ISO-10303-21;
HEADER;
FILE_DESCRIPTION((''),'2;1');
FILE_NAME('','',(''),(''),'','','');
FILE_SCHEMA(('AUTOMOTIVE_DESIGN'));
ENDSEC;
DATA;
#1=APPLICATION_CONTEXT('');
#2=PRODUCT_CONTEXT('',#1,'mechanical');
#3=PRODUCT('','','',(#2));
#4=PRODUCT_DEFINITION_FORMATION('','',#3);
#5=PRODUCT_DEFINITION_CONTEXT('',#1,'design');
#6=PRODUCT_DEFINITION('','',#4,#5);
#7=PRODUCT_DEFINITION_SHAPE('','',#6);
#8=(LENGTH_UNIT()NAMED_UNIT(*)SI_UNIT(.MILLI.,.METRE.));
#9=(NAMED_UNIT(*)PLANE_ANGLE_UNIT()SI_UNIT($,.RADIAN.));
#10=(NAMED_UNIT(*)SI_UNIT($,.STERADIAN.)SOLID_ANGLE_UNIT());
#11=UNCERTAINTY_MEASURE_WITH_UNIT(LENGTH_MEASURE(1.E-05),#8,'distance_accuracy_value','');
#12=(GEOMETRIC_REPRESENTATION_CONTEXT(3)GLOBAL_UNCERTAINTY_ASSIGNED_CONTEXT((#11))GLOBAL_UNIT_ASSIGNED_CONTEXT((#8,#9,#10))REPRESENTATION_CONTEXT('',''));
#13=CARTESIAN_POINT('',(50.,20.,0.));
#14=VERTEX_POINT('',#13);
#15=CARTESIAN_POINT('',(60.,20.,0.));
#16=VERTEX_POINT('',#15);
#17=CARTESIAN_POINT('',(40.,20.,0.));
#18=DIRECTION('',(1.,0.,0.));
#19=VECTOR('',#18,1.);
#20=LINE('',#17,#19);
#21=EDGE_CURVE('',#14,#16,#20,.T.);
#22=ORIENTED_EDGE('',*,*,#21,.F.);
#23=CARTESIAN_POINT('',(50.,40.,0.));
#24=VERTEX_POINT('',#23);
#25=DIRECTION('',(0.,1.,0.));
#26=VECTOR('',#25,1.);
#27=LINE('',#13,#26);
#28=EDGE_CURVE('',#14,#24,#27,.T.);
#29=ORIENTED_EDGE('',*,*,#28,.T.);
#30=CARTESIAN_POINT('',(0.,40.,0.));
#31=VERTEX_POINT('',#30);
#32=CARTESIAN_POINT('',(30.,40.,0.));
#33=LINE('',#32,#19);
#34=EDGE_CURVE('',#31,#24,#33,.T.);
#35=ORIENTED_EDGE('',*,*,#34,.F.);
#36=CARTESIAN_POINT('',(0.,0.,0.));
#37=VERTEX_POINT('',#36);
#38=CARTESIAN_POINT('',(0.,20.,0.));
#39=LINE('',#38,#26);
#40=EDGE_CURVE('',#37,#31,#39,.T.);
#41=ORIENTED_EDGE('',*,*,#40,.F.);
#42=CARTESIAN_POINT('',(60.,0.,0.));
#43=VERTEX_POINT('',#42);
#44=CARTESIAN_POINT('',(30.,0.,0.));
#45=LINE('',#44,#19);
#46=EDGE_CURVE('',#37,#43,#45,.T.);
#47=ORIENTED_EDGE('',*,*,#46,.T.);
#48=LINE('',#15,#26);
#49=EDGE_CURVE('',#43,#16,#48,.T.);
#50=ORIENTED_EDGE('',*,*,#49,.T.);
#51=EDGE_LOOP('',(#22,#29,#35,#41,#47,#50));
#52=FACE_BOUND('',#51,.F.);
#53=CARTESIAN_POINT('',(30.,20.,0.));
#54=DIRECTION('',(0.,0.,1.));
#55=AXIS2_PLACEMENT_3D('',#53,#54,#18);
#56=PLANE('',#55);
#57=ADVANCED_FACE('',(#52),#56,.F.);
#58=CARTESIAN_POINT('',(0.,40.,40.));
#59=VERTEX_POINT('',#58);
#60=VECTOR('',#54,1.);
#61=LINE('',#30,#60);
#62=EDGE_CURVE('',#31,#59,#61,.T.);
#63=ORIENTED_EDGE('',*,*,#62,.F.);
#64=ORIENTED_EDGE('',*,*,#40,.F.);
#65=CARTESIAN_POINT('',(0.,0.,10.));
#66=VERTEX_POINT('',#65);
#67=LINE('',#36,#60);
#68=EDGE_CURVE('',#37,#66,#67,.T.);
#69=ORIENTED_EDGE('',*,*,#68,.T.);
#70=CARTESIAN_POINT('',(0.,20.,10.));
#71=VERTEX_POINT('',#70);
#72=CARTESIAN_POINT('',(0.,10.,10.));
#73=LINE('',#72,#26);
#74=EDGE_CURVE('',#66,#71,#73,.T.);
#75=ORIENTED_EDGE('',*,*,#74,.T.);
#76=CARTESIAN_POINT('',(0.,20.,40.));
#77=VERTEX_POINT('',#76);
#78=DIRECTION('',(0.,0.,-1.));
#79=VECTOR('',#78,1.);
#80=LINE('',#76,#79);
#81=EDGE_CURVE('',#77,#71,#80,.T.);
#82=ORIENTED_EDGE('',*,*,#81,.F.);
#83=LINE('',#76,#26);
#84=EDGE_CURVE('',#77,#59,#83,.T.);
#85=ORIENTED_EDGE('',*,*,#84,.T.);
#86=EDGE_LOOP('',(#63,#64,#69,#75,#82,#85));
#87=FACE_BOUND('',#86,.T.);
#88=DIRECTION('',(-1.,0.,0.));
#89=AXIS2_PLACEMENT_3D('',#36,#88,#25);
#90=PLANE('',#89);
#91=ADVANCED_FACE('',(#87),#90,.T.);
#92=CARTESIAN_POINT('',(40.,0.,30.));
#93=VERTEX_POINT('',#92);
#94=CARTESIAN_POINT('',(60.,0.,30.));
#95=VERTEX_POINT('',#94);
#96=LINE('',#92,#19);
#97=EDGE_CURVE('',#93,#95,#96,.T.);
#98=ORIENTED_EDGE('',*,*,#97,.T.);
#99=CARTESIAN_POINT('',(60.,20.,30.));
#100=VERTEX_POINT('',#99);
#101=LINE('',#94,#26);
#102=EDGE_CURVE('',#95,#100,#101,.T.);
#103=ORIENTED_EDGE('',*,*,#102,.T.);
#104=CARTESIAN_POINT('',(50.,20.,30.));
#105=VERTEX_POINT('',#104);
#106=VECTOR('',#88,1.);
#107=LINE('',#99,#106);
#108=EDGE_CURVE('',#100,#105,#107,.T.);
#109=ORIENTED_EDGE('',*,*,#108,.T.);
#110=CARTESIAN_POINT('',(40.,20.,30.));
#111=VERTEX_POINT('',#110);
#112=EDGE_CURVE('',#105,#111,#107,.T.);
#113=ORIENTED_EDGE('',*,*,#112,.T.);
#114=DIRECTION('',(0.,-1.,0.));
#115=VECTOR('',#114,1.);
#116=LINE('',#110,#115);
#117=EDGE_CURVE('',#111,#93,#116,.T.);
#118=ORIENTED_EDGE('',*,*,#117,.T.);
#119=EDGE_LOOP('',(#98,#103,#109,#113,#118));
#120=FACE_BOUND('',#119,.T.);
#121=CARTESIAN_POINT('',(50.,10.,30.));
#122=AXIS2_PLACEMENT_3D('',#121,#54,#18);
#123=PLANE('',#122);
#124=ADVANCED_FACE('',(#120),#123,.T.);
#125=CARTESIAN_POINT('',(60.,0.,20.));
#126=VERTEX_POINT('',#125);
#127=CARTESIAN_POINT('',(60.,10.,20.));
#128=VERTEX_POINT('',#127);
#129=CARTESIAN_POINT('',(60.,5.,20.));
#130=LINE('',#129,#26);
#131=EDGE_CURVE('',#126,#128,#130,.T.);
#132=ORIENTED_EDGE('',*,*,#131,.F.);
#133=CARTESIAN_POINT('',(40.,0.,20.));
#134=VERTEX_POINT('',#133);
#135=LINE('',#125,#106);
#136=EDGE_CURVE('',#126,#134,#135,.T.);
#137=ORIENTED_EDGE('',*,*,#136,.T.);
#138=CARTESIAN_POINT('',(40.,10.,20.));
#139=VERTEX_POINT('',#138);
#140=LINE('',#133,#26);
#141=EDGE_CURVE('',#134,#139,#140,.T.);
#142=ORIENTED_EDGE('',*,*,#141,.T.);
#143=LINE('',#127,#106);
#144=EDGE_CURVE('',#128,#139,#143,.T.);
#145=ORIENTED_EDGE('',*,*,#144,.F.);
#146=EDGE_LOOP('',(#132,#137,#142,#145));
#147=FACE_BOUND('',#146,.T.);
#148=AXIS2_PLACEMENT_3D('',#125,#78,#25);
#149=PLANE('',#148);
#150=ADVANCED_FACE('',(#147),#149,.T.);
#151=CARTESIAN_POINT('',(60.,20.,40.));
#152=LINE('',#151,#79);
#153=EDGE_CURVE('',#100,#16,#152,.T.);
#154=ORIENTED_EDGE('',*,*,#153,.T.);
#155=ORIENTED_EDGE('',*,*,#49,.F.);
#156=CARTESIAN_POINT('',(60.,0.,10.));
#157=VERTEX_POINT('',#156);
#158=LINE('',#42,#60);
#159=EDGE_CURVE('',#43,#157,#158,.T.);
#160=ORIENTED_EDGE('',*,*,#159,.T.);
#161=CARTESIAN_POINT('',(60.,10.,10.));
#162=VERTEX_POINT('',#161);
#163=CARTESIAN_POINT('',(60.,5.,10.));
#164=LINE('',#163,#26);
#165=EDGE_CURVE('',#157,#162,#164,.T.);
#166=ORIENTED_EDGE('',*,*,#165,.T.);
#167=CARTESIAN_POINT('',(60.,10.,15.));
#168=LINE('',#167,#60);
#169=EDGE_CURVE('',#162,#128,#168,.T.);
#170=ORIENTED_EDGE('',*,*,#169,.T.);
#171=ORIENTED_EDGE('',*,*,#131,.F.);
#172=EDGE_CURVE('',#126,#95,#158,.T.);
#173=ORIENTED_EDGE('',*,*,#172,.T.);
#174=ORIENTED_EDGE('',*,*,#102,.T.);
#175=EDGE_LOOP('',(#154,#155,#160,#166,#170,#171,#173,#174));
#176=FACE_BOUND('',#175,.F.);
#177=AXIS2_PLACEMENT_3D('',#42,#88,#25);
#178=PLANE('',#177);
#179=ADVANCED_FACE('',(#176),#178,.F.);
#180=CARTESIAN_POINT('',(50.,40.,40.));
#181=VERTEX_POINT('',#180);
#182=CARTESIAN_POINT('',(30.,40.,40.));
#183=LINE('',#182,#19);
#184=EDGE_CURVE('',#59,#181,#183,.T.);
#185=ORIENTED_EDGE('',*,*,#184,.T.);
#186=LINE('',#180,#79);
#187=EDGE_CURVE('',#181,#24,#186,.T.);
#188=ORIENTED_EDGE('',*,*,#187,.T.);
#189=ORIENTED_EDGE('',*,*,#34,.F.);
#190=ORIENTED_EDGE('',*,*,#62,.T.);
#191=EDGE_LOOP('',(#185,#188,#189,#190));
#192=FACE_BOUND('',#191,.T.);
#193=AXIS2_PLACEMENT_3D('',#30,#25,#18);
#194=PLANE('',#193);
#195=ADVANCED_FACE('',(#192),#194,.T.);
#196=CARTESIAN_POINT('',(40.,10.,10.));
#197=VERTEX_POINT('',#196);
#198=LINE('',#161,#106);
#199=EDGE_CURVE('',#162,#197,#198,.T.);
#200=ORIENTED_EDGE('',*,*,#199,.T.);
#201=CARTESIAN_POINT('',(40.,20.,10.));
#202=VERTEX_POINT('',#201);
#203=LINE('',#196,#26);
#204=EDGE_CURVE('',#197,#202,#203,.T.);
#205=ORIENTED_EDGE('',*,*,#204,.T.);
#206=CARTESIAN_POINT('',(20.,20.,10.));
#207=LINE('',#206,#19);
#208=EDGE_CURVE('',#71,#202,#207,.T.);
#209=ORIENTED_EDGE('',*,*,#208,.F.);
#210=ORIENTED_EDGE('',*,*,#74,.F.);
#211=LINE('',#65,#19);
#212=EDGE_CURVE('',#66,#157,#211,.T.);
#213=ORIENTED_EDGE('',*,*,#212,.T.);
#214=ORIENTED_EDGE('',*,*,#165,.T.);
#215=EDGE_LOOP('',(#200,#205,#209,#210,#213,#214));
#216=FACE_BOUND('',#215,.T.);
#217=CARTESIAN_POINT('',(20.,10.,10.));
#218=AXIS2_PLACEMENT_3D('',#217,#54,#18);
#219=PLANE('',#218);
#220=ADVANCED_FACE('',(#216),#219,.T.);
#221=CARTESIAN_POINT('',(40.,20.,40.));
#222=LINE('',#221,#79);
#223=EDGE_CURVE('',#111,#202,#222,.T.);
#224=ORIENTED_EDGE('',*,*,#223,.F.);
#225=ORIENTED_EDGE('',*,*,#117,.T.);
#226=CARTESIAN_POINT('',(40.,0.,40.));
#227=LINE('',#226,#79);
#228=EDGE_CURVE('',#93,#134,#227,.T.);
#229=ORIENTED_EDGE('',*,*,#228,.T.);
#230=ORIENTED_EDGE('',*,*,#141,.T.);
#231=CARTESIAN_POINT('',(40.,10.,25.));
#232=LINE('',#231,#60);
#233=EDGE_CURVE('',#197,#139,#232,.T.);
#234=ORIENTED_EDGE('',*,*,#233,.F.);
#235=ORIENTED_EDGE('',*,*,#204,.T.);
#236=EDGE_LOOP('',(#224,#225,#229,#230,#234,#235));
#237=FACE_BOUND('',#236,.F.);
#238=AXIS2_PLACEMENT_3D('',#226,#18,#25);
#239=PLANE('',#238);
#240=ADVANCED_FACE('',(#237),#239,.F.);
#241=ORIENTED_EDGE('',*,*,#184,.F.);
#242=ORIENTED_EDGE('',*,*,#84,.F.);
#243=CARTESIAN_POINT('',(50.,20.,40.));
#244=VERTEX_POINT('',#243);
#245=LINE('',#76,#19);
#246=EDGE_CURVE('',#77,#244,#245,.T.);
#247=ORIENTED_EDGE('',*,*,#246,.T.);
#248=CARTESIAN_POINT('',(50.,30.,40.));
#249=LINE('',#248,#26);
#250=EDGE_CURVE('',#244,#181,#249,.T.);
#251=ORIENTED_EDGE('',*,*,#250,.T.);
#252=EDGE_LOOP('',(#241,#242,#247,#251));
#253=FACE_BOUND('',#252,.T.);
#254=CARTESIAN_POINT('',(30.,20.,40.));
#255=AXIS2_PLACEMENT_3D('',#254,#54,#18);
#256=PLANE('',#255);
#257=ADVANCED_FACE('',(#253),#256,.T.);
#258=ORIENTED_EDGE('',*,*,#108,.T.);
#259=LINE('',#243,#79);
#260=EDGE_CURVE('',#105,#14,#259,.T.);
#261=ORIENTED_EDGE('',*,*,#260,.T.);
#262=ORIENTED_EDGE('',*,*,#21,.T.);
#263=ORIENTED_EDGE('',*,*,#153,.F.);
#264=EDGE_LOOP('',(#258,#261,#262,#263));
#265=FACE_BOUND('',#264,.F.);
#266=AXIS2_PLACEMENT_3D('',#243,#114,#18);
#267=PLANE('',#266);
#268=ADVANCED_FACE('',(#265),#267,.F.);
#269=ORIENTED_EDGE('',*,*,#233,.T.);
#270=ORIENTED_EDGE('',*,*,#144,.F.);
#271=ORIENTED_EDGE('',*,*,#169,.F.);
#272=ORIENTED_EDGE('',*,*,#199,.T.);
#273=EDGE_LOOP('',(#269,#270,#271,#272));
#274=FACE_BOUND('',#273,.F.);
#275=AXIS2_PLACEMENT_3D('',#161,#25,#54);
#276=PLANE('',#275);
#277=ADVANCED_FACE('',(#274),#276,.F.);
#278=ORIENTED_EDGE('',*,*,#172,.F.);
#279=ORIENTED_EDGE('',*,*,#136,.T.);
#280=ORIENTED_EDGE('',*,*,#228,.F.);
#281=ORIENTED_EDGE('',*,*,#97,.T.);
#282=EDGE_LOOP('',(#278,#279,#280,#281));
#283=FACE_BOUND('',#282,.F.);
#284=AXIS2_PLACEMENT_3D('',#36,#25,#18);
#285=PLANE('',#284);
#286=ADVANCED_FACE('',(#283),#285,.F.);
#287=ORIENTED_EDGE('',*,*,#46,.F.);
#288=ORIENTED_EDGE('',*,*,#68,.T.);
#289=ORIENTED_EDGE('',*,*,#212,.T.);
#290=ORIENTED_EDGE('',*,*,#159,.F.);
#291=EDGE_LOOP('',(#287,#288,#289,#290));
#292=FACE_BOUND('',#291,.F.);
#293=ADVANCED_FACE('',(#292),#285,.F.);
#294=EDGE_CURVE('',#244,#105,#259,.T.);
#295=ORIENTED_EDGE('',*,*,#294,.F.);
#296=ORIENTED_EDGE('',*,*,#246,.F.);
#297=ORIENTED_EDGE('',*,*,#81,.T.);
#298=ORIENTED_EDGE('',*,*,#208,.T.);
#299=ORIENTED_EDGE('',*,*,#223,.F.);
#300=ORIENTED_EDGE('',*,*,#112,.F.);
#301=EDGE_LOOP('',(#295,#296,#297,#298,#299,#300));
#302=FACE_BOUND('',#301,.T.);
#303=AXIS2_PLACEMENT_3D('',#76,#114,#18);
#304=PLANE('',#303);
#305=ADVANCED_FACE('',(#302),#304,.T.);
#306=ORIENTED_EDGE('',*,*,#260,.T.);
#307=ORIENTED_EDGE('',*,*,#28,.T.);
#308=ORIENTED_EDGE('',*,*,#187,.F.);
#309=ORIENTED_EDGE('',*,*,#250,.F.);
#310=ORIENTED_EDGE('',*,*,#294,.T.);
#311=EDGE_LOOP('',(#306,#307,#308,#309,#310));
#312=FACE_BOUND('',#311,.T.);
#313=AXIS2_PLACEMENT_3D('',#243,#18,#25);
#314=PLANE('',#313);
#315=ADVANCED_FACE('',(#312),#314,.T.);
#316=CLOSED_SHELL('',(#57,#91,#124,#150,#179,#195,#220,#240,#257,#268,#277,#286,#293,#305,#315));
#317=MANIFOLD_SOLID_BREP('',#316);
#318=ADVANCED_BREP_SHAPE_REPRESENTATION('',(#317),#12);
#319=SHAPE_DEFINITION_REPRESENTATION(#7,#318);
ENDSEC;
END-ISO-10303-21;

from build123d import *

# Parameters (mm, degrees)
F0_W     = 60
F0_H     = 40
F1_DEPTH = 40
F2_W     = 10
F2_H     = 20
F3_DEPTH = 45
F4_W     = 40
F4_H     = 20
F5_DEPTH = 30
F7_DEPTH = 10
F8_W     = 10
F8_H     = 10
F9_DEPTH = 25


with BuildPart() as f1:
    # F0 (on Top) → F1 (new body)
    with BuildSketch(Plane.XY):
        with Locations((30, 20)):
            Rectangle(F0_W, F0_H)
    extrude(amount=F1_DEPTH)

    # F2 (on face) → F3 (cut)
    with BuildSketch(Plane.XY.offset(40)):
        with Locations((55, 30)):
            Rectangle(F2_W, F2_H)
    extrude(amount=-F3_DEPTH, mode=Mode.SUBTRACT)

    # F4 (on face) → F5 (cut)
    with BuildSketch(Plane.XY.offset(40)):
        with Locations((20, 10)):
            Rectangle(F4_W, F4_H)
    extrude(amount=-F5_DEPTH, mode=Mode.SUBTRACT)

    # F6 (on face) → F7 (cut)
    with BuildSketch(Plane.XY.offset(40)):
        Polygon((50, 20), (40, 20), (40, 0), (60, 0), (60, 20), align=None)
    extrude(amount=-F7_DEPTH, mode=Mode.SUBTRACT)

    # F8 (on face) → F9 (cut)
    with BuildSketch(Plane.YZ.offset(60)):
        with Locations((5, 15)):
            Rectangle(F8_W, F8_H)
    extrude(amount=-F9_DEPTH, mode=Mode.SUBTRACT)


solid = f1.part
